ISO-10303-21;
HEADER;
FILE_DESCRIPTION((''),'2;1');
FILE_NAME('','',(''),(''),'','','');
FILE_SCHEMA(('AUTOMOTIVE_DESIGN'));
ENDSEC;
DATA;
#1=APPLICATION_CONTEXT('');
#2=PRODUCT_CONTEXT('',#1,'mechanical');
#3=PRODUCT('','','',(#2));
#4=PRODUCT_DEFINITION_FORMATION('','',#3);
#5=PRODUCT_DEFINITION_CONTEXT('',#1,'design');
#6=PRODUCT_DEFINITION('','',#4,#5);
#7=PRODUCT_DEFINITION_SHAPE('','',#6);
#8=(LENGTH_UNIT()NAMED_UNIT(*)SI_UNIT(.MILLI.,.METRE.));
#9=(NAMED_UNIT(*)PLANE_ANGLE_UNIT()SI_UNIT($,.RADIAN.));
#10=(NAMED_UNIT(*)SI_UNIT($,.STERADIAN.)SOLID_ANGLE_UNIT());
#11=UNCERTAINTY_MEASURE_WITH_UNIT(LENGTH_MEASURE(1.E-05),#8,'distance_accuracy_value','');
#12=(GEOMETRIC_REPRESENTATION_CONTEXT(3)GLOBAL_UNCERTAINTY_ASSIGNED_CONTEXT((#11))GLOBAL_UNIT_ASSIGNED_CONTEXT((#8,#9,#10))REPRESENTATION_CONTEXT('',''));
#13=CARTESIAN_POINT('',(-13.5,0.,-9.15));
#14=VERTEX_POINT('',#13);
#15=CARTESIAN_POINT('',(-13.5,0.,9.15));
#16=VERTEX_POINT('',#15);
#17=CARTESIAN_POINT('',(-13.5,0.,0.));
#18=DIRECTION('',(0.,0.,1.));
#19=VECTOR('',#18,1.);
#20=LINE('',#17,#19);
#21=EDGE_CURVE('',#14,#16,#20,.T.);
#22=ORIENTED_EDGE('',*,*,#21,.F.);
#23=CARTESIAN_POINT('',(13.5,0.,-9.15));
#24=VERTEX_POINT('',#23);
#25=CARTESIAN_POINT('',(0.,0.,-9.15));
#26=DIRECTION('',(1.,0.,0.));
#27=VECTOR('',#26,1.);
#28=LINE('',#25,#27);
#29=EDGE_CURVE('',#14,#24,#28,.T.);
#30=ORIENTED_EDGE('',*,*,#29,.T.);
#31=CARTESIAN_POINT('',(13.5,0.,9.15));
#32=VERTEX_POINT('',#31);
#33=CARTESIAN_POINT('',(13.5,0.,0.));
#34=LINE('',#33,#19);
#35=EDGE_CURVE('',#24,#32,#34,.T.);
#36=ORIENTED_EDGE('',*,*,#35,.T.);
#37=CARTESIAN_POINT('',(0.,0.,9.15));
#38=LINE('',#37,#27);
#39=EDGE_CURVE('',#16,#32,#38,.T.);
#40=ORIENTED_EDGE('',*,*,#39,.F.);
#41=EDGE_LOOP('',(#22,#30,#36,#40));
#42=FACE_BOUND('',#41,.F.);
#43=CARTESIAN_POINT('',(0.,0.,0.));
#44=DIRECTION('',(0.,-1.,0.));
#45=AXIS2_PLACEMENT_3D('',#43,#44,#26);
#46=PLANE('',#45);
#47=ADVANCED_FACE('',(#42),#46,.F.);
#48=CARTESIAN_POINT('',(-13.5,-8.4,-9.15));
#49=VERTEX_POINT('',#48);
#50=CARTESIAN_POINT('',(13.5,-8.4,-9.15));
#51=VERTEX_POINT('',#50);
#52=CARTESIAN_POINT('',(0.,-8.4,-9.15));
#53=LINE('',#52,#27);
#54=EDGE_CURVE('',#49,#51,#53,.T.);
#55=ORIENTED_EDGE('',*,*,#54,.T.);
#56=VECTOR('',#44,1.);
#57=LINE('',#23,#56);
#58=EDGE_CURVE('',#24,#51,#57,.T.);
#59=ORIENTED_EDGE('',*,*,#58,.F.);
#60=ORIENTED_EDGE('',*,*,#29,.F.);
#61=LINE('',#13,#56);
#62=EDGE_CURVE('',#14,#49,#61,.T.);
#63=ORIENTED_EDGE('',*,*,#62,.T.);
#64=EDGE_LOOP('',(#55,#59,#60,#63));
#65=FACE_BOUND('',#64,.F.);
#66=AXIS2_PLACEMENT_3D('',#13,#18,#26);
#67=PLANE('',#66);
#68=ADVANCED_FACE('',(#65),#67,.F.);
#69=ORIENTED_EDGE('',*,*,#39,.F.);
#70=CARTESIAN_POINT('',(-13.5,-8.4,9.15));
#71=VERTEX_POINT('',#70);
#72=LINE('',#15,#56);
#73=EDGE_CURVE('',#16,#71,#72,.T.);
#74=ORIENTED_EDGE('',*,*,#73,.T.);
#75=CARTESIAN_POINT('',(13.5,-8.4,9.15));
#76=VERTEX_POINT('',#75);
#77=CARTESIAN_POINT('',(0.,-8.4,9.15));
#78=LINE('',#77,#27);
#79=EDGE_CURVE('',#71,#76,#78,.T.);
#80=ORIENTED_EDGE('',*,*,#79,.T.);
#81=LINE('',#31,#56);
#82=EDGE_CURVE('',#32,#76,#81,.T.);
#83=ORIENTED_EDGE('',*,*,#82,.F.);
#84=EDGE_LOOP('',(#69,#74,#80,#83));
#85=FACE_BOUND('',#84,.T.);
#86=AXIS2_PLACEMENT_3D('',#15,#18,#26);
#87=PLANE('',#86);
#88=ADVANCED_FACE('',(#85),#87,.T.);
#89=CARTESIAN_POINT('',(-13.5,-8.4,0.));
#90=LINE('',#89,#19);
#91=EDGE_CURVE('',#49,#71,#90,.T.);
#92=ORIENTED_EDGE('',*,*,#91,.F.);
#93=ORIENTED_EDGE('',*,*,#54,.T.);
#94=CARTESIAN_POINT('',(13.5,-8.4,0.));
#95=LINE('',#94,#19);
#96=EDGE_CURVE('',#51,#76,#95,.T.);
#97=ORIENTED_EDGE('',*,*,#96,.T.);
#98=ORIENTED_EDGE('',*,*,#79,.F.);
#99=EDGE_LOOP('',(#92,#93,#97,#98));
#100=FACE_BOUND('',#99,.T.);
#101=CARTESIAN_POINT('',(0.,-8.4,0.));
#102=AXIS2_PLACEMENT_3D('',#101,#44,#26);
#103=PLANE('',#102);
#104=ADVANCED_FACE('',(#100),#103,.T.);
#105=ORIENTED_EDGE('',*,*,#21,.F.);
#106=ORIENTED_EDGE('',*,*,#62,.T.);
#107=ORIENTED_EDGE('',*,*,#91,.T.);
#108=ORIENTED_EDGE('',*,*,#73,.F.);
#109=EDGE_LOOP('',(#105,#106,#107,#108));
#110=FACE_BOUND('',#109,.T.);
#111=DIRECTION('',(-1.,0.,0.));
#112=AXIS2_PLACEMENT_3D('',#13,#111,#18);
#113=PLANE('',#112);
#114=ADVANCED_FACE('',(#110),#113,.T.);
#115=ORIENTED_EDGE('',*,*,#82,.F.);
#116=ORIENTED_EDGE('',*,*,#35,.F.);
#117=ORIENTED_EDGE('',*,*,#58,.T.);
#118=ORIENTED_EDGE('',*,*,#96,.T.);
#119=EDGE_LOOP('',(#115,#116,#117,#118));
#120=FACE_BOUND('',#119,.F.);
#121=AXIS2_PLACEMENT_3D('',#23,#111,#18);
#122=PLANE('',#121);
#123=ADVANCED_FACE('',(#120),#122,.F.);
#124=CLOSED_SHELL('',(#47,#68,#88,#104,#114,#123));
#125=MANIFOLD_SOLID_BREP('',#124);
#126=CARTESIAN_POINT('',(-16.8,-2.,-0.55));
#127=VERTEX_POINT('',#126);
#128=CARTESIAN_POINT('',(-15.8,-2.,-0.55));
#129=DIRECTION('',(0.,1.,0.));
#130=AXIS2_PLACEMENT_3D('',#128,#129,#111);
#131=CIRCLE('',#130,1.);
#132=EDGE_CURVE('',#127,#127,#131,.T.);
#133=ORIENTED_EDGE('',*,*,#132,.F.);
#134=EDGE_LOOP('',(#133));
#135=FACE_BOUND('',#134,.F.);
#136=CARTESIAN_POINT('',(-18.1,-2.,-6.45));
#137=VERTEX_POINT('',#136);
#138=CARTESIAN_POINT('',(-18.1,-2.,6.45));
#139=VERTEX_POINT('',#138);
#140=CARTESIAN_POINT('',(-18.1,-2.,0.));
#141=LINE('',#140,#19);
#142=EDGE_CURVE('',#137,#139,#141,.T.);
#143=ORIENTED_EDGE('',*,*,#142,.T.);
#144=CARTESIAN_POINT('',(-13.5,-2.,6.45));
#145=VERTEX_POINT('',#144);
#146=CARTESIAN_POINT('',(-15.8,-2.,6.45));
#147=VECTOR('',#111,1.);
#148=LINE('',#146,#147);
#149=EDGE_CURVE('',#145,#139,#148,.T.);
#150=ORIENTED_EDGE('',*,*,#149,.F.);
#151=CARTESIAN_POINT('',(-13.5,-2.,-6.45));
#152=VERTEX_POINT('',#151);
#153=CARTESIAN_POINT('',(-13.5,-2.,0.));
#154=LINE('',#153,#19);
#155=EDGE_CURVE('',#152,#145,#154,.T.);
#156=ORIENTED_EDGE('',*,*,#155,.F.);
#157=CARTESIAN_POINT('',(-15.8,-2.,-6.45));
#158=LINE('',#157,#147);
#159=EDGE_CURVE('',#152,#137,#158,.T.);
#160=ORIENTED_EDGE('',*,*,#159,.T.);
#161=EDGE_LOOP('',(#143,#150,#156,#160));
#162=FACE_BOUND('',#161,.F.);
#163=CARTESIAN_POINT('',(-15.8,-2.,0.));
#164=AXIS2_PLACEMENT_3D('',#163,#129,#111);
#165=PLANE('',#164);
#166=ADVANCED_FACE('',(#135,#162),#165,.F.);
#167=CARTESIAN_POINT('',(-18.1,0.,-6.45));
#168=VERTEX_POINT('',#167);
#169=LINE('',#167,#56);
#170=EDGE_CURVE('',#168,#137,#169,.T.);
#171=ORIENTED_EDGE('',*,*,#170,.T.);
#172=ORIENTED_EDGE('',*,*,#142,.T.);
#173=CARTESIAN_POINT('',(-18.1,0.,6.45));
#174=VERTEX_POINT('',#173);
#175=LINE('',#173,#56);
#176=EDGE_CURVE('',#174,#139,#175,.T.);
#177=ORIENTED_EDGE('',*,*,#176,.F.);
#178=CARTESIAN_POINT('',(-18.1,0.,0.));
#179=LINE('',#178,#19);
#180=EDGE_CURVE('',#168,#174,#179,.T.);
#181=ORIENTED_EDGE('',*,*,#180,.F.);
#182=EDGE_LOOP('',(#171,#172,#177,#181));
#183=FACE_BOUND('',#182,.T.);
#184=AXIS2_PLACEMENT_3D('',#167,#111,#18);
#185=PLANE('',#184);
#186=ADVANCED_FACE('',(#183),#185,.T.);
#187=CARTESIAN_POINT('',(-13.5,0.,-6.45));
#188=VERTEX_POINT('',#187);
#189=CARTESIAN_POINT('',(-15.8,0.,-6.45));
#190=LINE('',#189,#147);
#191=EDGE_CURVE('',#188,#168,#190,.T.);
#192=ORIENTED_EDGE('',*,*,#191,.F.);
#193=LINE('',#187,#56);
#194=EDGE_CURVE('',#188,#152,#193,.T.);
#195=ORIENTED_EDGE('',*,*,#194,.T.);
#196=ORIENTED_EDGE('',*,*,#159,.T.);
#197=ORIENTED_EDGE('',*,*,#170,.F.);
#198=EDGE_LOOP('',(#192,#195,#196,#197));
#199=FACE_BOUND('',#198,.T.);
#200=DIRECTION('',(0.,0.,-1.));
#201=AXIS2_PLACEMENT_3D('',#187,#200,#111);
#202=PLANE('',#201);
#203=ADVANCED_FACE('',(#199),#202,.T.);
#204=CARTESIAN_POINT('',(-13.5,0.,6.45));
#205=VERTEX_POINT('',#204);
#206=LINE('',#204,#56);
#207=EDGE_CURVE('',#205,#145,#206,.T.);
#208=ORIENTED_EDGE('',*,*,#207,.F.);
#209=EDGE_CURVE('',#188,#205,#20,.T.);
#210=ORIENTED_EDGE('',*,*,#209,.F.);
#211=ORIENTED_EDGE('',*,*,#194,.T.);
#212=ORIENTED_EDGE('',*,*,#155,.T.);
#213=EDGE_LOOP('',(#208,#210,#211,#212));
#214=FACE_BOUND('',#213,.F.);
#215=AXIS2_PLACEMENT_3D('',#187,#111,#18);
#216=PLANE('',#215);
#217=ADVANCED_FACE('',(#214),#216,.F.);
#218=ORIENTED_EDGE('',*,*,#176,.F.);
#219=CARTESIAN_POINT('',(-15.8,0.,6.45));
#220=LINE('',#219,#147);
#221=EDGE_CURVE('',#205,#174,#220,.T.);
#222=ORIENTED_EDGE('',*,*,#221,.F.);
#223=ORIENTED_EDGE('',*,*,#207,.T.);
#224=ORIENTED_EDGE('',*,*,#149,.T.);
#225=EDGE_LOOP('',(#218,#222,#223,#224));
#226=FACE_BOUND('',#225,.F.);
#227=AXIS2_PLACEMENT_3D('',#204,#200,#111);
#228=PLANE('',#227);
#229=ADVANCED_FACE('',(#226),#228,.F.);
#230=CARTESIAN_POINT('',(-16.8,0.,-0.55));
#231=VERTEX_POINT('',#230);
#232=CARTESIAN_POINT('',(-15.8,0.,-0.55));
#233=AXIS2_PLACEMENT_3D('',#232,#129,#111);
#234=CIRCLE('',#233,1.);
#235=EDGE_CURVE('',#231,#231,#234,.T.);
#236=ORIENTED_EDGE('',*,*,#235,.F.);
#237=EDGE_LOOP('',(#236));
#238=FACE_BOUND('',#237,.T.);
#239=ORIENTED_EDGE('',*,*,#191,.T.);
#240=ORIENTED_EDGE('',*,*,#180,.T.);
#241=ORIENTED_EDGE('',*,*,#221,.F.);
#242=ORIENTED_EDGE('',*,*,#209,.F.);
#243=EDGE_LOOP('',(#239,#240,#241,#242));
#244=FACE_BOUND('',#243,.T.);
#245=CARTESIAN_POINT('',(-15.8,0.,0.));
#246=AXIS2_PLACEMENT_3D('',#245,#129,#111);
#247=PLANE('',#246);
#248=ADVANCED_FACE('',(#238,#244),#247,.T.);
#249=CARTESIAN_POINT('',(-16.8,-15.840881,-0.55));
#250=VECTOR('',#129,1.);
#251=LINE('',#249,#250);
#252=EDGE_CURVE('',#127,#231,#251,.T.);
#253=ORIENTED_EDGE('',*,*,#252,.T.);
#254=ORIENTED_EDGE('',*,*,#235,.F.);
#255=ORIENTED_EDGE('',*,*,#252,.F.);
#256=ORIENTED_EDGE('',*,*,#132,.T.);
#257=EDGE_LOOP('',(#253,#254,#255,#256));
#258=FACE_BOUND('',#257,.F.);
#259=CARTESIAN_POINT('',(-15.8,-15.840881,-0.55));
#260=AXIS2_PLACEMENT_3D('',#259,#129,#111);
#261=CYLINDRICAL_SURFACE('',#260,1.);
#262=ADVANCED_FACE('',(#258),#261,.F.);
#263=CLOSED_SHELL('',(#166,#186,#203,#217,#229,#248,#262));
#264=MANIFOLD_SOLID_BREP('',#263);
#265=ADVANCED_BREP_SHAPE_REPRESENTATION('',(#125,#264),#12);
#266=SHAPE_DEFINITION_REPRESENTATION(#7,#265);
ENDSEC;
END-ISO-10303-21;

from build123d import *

# Parameters (mm, degrees)
F0_W     = 27
F0_H     = 18.3
F1_DEPTH = 8.4
F2_W     = 4.6
F2_H     = 12.9
F3_DEPTH = 2
F5_D     = 2


with BuildPart() as f1:
    # F0 (on Front) → F1 (new body)
    with BuildSketch(Plane.XZ):
        Rectangle(F0_W, F0_H)
    extrude(amount=F1_DEPTH)


with BuildPart() as f3:
    # F2 (on face) → F3 (new body)
    with BuildSketch(Plane(origin=(0, 0, 0), x_dir=(-1, 0, 0), z_dir=(0, 1, 0))):
        with Locations((15.8, 0)):
            Rectangle(F2_W, F2_H)
    extrude(amount=-F3_DEPTH)

    # F5 (through all)
    with Locations(Plane.XZ.offset(2)):
        with Locations((-15.8, -0.55)):
            Hole(F5_D / 2)


solid = Compound([f1.part, f3.part])
